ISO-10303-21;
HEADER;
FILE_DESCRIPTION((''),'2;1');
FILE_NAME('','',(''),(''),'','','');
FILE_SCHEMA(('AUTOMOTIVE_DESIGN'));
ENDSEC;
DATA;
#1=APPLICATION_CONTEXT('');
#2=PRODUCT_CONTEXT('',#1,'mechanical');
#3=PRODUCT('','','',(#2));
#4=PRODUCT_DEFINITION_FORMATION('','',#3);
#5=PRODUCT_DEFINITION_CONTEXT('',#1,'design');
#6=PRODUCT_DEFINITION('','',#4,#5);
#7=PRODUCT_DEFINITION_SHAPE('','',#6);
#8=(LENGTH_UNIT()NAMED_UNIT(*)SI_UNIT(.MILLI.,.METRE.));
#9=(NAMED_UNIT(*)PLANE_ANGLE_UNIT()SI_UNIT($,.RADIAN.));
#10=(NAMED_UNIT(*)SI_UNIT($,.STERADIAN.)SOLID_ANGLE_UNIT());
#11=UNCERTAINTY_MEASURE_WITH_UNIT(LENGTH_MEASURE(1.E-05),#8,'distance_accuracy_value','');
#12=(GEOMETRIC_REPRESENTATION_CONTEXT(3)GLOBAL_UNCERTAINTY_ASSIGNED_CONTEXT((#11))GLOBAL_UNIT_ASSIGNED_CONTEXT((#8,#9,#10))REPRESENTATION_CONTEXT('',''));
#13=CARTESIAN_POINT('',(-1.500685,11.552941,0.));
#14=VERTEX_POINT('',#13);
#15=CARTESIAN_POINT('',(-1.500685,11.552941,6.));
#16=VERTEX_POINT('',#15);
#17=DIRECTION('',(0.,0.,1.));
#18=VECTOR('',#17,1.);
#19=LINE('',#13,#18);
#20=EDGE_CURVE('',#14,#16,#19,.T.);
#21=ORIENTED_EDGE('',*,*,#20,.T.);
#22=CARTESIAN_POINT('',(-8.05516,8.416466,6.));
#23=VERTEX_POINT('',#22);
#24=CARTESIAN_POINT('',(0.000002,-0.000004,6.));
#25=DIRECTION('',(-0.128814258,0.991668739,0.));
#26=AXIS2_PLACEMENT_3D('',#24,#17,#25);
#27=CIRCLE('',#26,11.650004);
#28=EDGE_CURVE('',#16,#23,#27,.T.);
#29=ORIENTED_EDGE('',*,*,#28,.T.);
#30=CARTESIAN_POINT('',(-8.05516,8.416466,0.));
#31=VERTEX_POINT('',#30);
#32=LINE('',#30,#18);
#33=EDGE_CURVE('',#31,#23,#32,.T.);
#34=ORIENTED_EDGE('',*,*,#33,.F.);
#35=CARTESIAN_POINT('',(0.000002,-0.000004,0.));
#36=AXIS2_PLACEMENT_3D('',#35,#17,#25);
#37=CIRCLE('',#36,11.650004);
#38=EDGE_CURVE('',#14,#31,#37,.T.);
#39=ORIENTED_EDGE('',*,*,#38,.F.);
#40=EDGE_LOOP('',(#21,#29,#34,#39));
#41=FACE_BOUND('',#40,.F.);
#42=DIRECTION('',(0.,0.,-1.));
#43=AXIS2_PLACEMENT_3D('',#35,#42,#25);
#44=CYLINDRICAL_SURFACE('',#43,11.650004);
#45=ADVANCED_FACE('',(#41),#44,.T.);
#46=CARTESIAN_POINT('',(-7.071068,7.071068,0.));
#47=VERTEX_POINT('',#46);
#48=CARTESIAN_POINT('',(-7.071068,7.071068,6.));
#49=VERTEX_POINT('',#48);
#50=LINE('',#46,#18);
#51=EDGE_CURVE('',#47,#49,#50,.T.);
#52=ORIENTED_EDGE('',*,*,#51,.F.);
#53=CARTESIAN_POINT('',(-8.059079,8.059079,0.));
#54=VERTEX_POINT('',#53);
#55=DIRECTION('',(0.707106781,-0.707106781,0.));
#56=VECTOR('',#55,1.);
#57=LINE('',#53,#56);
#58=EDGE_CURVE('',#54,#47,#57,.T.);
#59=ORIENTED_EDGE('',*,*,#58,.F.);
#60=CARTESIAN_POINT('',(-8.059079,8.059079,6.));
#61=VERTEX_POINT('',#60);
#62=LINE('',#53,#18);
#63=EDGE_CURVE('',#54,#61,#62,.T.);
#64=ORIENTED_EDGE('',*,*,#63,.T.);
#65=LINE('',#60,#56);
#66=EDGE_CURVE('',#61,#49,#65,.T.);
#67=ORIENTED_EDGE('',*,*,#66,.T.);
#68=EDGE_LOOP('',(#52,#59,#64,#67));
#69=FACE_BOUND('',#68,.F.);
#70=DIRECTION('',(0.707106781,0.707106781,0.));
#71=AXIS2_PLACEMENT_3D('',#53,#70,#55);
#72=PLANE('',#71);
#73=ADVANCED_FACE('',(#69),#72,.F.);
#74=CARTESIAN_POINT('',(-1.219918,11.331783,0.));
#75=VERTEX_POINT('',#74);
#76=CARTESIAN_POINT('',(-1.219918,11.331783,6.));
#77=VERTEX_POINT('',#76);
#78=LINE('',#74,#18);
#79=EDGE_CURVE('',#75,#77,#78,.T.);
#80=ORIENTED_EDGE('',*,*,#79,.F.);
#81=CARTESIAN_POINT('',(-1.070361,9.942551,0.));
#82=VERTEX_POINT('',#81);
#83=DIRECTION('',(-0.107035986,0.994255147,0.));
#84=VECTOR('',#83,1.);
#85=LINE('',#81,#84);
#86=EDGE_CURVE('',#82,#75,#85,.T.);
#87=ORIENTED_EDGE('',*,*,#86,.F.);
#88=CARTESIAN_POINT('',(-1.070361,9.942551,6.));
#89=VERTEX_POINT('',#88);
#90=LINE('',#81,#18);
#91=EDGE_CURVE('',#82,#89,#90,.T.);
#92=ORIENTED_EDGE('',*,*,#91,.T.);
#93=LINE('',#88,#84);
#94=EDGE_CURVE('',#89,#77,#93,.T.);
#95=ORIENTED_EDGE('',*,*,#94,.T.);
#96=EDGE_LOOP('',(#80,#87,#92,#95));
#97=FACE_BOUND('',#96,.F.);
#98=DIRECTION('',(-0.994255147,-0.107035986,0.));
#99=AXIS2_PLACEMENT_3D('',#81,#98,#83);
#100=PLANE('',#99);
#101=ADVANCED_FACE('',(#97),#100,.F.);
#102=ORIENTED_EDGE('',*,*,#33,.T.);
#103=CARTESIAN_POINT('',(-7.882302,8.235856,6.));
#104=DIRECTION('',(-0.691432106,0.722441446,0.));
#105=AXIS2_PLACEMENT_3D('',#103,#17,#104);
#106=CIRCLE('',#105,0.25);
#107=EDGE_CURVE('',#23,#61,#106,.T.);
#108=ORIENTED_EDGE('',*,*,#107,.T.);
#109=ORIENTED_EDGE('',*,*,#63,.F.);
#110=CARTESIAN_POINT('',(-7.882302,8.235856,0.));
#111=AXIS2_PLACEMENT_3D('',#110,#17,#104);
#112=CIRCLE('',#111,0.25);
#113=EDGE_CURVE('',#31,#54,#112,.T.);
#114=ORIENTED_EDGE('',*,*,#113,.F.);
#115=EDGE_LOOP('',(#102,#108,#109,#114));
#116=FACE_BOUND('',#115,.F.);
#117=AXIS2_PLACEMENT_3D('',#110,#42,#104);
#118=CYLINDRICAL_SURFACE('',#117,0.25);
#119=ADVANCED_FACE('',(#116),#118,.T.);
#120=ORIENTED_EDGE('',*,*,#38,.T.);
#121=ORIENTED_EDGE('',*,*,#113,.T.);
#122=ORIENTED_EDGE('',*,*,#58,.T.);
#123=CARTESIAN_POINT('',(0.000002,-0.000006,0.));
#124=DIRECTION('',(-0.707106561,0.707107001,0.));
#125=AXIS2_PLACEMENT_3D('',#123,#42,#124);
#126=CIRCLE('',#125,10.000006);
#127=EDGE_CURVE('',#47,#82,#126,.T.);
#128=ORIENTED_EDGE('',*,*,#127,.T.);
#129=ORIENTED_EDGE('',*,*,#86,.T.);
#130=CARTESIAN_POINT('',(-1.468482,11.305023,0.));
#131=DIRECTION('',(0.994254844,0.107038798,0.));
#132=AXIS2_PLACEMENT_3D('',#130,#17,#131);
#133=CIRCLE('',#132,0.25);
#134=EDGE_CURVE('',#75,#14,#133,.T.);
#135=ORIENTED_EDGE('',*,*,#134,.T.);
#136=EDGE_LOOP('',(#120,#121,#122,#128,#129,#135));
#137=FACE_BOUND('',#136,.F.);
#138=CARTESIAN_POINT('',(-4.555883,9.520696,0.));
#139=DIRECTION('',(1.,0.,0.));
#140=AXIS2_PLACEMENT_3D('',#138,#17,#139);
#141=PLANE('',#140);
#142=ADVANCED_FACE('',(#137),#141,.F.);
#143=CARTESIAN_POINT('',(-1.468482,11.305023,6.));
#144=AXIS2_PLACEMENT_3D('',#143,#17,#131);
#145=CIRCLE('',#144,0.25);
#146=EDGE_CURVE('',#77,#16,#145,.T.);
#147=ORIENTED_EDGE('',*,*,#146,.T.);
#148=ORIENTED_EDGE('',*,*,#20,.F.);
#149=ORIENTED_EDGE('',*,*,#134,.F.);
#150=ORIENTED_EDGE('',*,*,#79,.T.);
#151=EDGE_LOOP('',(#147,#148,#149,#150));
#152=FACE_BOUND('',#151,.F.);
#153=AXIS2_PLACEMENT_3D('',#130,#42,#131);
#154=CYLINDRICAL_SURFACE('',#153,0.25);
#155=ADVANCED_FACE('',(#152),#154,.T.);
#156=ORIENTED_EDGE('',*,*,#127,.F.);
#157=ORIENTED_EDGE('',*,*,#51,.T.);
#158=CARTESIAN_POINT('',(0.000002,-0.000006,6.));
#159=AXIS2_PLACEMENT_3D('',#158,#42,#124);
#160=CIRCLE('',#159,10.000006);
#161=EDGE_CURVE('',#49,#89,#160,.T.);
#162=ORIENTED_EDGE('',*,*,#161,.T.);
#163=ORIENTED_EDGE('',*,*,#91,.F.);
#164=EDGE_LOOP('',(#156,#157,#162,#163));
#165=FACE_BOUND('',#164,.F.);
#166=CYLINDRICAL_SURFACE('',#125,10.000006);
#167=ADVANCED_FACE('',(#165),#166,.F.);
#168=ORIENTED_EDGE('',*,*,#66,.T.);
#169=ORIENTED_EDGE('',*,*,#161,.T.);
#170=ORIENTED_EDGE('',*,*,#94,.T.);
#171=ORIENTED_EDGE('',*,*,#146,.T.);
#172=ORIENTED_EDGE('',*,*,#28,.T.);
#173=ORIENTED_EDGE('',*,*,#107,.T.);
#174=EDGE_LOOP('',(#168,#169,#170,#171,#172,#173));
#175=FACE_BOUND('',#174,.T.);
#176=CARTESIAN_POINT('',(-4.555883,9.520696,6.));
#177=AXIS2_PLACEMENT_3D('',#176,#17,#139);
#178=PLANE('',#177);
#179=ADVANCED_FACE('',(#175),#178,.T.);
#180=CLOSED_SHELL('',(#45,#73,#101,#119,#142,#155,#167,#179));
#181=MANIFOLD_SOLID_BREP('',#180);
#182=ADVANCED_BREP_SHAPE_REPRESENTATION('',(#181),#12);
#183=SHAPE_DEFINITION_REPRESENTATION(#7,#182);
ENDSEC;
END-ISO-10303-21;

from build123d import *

# Parameters (mm, degrees)
F1_DEPTH = 6


with BuildPart() as f1:
    # F0 (on Top) → F1 (new body)
    with BuildSketch(Plane.XY):
        with BuildLine():
            ThreePointArc((-8.05516, 8.416466), (-8.132287, 8.238597), (-8.059079, 8.059079))
            Line((-8.059079, 8.059079), (-7.071068, 7.071068))
            ThreePointArc((-7.071068, 7.071068), (-4.316488, 9.020417), (-1.070361, 9.942551))
            Line((-1.070361, 9.942551), (-1.219918, 11.331783))
            ThreePointArc((-1.219918, 11.331783), (-1.313786, 11.501414), (-1.500685, 11.552941))
            ThreePointArc((-1.500685, 11.552941), (-5.028709, 10.508786), (-8.05516, 8.416466))
        make_face()
    extrude(amount=F1_DEPTH)


solid = f1.part
